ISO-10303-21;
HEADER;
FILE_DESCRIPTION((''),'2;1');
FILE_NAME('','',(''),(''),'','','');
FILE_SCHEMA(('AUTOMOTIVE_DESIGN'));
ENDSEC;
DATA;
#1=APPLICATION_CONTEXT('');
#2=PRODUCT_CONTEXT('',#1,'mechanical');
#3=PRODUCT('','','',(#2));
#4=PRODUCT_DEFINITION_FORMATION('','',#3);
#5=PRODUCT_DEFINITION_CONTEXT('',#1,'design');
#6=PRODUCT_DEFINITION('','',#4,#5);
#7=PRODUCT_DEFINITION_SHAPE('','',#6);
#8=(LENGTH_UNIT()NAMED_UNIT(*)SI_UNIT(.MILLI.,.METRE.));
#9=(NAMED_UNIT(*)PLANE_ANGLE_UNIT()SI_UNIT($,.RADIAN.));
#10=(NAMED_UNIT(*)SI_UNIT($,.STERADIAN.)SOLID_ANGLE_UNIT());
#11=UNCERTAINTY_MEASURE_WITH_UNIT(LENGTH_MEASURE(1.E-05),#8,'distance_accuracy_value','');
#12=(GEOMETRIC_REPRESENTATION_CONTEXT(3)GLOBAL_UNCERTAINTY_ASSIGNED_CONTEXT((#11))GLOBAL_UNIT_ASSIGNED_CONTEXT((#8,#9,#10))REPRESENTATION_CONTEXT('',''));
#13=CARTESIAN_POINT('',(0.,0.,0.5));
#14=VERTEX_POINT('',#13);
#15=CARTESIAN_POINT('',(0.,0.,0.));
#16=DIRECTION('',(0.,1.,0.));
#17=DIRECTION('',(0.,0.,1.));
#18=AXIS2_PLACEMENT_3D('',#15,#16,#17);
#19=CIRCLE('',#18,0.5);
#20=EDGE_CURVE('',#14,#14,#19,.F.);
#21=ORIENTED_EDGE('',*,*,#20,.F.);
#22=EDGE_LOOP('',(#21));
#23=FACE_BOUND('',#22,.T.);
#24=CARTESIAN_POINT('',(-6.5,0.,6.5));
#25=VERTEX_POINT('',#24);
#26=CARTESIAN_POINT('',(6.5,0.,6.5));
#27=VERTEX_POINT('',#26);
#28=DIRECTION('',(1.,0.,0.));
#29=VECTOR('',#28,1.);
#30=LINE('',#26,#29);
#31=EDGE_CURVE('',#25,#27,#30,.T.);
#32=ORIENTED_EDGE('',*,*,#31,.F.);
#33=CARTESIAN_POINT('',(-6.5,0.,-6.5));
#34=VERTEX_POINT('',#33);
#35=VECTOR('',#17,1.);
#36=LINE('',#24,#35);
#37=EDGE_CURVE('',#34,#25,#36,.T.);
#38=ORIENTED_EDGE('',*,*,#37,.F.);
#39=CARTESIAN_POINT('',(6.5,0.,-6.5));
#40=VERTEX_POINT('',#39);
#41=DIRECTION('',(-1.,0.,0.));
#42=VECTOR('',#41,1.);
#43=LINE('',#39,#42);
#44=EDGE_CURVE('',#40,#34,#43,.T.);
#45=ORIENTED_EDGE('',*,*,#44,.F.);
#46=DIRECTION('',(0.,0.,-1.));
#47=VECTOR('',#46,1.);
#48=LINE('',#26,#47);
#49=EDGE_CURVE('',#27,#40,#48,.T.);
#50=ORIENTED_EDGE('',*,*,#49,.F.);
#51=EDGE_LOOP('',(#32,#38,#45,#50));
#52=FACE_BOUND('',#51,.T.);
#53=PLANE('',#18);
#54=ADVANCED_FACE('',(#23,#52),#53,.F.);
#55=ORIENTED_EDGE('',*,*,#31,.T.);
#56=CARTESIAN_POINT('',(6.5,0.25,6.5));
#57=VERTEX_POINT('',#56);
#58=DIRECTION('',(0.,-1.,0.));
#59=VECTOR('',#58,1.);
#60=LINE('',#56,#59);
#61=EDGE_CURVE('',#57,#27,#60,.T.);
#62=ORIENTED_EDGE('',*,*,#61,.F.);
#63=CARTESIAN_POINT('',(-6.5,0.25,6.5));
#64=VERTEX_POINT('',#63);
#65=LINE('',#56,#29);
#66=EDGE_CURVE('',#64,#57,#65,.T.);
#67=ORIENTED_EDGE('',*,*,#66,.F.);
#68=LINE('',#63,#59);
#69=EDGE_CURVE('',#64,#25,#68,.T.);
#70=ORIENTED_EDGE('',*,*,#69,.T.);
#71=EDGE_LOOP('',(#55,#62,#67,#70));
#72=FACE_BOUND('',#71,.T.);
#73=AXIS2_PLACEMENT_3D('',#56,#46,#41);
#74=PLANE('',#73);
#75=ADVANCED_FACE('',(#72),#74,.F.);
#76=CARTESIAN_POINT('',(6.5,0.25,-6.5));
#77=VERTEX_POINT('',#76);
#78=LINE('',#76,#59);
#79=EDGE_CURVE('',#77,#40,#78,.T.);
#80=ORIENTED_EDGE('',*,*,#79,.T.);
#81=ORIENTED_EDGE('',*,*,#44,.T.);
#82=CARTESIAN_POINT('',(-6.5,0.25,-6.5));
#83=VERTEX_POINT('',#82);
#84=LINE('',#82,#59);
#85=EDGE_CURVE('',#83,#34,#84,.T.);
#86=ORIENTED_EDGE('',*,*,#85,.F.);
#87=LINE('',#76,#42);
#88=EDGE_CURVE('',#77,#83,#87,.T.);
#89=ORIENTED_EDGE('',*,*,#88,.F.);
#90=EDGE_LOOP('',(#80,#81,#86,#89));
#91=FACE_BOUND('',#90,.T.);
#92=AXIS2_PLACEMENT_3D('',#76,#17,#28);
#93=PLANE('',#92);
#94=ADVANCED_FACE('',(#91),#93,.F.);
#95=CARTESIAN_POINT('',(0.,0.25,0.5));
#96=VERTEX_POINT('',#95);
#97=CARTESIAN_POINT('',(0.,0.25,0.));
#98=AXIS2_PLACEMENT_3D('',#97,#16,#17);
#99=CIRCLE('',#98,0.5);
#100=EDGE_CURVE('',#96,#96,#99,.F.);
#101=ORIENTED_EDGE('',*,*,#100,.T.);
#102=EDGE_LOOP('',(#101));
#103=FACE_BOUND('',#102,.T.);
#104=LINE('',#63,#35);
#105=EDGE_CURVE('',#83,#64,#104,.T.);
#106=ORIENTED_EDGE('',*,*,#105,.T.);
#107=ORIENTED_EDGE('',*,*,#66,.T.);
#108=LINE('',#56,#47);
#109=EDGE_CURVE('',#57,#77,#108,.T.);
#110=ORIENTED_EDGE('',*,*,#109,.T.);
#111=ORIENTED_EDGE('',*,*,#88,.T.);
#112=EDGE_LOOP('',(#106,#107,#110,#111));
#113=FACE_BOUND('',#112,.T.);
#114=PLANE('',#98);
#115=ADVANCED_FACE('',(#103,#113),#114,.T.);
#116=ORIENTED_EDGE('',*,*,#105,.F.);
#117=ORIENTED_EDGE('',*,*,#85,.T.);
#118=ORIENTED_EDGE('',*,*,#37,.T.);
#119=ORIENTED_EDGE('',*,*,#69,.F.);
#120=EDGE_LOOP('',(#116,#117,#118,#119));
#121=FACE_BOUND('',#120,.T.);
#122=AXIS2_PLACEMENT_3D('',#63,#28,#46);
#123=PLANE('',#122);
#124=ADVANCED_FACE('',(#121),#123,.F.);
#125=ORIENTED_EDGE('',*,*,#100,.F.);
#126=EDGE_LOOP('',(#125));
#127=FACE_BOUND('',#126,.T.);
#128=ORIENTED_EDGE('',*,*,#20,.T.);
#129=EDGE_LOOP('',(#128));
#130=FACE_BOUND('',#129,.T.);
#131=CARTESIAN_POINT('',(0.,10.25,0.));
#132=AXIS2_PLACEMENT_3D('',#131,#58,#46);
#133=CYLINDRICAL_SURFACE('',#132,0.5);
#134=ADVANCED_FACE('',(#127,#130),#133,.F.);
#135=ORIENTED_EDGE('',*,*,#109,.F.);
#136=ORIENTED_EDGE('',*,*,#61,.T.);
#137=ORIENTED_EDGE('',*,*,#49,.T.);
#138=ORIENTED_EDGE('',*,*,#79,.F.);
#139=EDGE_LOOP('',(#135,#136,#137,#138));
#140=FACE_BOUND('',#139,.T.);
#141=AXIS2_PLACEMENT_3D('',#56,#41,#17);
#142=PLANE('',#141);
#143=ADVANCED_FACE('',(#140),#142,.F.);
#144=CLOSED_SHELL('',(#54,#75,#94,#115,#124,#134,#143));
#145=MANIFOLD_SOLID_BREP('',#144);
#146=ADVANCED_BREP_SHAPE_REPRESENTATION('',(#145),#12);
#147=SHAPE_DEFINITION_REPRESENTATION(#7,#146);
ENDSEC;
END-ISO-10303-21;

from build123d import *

# Parameters (mm, degrees)
SKETCH1_W       = 13
SKETCH1_H       = 13
MESH_DEPTH      = 0.25
HOLE_DEPTH      = 10
HOLE_DEPTH_BACK = 10
SKETCH2_R       = 0.5


with BuildPart() as part:
    # Sketch1 → Mesh (new body)
    with BuildSketch(Plane(origin=(0, 0, 0), x_dir=(1, 0, 0), z_dir=(0, 1, 0))):
        Rectangle(SKETCH1_W, SKETCH1_H)
    extrude(amount=MESH_DEPTH)

    # Sketch2 → Hole (cut, two sides: drawn at the far end of the back side and taken through both)
    with BuildSketch(Plane(origin=(0, 0.25, 0), x_dir=(1, 0, 0), z_dir=(0, 1, 0)).offset(-HOLE_DEPTH_BACK)):
        Circle(SKETCH2_R)
    extrude(amount=HOLE_DEPTH + HOLE_DEPTH_BACK, mode=Mode.SUBTRACT)


solid = part.part
